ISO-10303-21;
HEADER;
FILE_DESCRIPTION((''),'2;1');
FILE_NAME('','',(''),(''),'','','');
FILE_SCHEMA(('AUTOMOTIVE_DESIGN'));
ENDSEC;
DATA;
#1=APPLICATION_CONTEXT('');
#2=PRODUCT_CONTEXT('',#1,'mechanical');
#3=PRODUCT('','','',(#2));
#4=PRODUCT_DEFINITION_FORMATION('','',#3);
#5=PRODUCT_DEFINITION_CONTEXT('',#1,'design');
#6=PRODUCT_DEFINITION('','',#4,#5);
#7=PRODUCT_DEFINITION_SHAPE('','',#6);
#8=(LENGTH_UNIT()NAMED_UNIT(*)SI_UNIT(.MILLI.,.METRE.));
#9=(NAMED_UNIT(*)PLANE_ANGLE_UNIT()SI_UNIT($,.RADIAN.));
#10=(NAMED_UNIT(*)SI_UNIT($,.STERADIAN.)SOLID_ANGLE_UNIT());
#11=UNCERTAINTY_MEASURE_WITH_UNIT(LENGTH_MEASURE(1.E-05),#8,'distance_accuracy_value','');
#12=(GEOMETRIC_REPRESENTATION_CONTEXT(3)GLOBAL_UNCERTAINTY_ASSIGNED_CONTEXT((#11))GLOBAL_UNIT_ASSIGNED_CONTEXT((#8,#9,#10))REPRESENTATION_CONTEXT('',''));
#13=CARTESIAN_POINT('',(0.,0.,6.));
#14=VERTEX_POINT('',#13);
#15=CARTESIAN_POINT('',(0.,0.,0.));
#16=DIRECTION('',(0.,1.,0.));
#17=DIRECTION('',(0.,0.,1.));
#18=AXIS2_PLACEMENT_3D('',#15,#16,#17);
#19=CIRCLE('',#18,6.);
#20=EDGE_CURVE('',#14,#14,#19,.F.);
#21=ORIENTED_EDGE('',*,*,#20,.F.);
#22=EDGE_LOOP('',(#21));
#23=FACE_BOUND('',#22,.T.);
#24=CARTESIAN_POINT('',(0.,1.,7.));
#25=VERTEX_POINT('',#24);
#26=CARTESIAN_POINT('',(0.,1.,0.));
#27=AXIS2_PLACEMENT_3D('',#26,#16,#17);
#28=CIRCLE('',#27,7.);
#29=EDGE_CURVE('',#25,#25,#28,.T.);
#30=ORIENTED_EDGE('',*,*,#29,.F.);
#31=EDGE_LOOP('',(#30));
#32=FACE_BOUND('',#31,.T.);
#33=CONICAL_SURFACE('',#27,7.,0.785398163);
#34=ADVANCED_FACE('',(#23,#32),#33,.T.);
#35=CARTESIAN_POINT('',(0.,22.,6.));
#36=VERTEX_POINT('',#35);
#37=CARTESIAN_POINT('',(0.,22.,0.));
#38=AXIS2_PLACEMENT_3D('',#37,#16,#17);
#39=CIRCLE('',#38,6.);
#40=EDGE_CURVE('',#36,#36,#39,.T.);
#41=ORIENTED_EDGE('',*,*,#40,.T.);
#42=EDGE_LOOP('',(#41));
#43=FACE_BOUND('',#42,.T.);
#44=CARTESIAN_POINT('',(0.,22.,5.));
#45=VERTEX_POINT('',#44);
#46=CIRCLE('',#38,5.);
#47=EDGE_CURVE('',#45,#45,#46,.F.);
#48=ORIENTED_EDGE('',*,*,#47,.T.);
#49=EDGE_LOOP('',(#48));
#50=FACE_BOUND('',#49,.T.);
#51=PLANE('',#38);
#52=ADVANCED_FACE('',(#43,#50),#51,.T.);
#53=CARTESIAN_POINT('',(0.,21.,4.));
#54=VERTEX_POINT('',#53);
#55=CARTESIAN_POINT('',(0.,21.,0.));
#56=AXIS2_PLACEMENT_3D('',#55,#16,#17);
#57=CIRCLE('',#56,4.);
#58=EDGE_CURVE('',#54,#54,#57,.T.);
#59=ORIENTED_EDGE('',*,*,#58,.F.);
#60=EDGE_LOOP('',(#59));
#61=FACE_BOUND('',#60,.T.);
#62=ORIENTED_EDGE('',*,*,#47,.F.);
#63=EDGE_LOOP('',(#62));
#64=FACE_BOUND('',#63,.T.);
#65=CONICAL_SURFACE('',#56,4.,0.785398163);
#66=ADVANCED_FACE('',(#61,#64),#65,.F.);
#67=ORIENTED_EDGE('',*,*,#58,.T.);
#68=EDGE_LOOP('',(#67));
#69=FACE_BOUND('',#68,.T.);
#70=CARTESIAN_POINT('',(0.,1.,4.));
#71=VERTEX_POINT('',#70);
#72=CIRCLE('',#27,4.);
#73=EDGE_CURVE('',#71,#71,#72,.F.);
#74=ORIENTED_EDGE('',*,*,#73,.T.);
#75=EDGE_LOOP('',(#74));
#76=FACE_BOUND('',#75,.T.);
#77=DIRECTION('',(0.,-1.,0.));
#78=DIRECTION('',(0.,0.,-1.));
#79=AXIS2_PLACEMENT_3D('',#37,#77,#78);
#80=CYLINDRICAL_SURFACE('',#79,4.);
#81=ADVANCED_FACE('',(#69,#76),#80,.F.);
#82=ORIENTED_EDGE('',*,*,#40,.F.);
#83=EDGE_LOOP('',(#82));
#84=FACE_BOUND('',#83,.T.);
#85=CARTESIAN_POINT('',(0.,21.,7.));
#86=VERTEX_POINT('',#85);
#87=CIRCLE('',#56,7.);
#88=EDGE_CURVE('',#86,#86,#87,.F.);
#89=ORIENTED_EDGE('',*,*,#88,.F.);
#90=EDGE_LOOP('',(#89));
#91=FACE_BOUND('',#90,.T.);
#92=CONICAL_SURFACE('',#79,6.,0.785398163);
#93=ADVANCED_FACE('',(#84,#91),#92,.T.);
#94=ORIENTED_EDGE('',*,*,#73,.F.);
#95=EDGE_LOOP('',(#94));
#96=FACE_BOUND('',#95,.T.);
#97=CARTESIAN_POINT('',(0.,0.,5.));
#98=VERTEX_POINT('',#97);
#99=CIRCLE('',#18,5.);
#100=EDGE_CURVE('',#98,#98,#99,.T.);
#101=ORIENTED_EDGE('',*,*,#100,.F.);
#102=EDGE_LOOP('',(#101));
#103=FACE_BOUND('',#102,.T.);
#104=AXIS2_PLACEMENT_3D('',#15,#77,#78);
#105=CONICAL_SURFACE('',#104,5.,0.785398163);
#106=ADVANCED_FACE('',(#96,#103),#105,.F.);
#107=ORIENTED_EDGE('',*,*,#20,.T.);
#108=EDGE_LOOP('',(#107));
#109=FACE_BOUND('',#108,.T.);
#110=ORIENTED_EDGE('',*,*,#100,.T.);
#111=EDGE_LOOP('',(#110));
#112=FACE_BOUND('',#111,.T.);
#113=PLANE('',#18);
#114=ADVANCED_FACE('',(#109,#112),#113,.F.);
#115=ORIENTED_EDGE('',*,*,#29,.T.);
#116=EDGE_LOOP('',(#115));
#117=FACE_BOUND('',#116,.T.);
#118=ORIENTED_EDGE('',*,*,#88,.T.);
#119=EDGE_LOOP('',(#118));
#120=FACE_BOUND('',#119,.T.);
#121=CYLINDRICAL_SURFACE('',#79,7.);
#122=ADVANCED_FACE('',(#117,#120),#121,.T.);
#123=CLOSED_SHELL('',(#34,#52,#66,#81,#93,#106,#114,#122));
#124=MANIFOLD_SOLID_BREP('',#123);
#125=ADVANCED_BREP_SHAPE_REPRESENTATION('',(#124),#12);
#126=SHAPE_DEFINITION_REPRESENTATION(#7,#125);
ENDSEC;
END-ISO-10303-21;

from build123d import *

# Parameters (mm, degrees)
SKETCH1_R           = 7
SKETCH1_R_2         = 4
BOSS_EXTRUDE1_DEPTH = 22
CHAMFER1_SIZE       = 1


with BuildPart() as part:
    # Sketch1 → Boss-Extrude1 (new body)
    with BuildSketch(Plane(origin=(0, 0, 0), x_dir=(1, 0, 0), z_dir=(0, 1, 0))):
        Circle(SKETCH1_R)
        Circle(SKETCH1_R_2, mode=Mode.SUBTRACT)
    extrude(amount=BOSS_EXTRUDE1_DEPTH)

    # Chamfer1
    chamfer1_edges = [part.edges().sort_by_distance(p)[0] for p in [
        (-7, 0, 0),
        (-7, 22, 0),
        (-4, 0, 0),
        (-4, 22, 0),
    ]]
    chamfer(chamfer1_edges, length=CHAMFER1_SIZE)


solid = part.part
